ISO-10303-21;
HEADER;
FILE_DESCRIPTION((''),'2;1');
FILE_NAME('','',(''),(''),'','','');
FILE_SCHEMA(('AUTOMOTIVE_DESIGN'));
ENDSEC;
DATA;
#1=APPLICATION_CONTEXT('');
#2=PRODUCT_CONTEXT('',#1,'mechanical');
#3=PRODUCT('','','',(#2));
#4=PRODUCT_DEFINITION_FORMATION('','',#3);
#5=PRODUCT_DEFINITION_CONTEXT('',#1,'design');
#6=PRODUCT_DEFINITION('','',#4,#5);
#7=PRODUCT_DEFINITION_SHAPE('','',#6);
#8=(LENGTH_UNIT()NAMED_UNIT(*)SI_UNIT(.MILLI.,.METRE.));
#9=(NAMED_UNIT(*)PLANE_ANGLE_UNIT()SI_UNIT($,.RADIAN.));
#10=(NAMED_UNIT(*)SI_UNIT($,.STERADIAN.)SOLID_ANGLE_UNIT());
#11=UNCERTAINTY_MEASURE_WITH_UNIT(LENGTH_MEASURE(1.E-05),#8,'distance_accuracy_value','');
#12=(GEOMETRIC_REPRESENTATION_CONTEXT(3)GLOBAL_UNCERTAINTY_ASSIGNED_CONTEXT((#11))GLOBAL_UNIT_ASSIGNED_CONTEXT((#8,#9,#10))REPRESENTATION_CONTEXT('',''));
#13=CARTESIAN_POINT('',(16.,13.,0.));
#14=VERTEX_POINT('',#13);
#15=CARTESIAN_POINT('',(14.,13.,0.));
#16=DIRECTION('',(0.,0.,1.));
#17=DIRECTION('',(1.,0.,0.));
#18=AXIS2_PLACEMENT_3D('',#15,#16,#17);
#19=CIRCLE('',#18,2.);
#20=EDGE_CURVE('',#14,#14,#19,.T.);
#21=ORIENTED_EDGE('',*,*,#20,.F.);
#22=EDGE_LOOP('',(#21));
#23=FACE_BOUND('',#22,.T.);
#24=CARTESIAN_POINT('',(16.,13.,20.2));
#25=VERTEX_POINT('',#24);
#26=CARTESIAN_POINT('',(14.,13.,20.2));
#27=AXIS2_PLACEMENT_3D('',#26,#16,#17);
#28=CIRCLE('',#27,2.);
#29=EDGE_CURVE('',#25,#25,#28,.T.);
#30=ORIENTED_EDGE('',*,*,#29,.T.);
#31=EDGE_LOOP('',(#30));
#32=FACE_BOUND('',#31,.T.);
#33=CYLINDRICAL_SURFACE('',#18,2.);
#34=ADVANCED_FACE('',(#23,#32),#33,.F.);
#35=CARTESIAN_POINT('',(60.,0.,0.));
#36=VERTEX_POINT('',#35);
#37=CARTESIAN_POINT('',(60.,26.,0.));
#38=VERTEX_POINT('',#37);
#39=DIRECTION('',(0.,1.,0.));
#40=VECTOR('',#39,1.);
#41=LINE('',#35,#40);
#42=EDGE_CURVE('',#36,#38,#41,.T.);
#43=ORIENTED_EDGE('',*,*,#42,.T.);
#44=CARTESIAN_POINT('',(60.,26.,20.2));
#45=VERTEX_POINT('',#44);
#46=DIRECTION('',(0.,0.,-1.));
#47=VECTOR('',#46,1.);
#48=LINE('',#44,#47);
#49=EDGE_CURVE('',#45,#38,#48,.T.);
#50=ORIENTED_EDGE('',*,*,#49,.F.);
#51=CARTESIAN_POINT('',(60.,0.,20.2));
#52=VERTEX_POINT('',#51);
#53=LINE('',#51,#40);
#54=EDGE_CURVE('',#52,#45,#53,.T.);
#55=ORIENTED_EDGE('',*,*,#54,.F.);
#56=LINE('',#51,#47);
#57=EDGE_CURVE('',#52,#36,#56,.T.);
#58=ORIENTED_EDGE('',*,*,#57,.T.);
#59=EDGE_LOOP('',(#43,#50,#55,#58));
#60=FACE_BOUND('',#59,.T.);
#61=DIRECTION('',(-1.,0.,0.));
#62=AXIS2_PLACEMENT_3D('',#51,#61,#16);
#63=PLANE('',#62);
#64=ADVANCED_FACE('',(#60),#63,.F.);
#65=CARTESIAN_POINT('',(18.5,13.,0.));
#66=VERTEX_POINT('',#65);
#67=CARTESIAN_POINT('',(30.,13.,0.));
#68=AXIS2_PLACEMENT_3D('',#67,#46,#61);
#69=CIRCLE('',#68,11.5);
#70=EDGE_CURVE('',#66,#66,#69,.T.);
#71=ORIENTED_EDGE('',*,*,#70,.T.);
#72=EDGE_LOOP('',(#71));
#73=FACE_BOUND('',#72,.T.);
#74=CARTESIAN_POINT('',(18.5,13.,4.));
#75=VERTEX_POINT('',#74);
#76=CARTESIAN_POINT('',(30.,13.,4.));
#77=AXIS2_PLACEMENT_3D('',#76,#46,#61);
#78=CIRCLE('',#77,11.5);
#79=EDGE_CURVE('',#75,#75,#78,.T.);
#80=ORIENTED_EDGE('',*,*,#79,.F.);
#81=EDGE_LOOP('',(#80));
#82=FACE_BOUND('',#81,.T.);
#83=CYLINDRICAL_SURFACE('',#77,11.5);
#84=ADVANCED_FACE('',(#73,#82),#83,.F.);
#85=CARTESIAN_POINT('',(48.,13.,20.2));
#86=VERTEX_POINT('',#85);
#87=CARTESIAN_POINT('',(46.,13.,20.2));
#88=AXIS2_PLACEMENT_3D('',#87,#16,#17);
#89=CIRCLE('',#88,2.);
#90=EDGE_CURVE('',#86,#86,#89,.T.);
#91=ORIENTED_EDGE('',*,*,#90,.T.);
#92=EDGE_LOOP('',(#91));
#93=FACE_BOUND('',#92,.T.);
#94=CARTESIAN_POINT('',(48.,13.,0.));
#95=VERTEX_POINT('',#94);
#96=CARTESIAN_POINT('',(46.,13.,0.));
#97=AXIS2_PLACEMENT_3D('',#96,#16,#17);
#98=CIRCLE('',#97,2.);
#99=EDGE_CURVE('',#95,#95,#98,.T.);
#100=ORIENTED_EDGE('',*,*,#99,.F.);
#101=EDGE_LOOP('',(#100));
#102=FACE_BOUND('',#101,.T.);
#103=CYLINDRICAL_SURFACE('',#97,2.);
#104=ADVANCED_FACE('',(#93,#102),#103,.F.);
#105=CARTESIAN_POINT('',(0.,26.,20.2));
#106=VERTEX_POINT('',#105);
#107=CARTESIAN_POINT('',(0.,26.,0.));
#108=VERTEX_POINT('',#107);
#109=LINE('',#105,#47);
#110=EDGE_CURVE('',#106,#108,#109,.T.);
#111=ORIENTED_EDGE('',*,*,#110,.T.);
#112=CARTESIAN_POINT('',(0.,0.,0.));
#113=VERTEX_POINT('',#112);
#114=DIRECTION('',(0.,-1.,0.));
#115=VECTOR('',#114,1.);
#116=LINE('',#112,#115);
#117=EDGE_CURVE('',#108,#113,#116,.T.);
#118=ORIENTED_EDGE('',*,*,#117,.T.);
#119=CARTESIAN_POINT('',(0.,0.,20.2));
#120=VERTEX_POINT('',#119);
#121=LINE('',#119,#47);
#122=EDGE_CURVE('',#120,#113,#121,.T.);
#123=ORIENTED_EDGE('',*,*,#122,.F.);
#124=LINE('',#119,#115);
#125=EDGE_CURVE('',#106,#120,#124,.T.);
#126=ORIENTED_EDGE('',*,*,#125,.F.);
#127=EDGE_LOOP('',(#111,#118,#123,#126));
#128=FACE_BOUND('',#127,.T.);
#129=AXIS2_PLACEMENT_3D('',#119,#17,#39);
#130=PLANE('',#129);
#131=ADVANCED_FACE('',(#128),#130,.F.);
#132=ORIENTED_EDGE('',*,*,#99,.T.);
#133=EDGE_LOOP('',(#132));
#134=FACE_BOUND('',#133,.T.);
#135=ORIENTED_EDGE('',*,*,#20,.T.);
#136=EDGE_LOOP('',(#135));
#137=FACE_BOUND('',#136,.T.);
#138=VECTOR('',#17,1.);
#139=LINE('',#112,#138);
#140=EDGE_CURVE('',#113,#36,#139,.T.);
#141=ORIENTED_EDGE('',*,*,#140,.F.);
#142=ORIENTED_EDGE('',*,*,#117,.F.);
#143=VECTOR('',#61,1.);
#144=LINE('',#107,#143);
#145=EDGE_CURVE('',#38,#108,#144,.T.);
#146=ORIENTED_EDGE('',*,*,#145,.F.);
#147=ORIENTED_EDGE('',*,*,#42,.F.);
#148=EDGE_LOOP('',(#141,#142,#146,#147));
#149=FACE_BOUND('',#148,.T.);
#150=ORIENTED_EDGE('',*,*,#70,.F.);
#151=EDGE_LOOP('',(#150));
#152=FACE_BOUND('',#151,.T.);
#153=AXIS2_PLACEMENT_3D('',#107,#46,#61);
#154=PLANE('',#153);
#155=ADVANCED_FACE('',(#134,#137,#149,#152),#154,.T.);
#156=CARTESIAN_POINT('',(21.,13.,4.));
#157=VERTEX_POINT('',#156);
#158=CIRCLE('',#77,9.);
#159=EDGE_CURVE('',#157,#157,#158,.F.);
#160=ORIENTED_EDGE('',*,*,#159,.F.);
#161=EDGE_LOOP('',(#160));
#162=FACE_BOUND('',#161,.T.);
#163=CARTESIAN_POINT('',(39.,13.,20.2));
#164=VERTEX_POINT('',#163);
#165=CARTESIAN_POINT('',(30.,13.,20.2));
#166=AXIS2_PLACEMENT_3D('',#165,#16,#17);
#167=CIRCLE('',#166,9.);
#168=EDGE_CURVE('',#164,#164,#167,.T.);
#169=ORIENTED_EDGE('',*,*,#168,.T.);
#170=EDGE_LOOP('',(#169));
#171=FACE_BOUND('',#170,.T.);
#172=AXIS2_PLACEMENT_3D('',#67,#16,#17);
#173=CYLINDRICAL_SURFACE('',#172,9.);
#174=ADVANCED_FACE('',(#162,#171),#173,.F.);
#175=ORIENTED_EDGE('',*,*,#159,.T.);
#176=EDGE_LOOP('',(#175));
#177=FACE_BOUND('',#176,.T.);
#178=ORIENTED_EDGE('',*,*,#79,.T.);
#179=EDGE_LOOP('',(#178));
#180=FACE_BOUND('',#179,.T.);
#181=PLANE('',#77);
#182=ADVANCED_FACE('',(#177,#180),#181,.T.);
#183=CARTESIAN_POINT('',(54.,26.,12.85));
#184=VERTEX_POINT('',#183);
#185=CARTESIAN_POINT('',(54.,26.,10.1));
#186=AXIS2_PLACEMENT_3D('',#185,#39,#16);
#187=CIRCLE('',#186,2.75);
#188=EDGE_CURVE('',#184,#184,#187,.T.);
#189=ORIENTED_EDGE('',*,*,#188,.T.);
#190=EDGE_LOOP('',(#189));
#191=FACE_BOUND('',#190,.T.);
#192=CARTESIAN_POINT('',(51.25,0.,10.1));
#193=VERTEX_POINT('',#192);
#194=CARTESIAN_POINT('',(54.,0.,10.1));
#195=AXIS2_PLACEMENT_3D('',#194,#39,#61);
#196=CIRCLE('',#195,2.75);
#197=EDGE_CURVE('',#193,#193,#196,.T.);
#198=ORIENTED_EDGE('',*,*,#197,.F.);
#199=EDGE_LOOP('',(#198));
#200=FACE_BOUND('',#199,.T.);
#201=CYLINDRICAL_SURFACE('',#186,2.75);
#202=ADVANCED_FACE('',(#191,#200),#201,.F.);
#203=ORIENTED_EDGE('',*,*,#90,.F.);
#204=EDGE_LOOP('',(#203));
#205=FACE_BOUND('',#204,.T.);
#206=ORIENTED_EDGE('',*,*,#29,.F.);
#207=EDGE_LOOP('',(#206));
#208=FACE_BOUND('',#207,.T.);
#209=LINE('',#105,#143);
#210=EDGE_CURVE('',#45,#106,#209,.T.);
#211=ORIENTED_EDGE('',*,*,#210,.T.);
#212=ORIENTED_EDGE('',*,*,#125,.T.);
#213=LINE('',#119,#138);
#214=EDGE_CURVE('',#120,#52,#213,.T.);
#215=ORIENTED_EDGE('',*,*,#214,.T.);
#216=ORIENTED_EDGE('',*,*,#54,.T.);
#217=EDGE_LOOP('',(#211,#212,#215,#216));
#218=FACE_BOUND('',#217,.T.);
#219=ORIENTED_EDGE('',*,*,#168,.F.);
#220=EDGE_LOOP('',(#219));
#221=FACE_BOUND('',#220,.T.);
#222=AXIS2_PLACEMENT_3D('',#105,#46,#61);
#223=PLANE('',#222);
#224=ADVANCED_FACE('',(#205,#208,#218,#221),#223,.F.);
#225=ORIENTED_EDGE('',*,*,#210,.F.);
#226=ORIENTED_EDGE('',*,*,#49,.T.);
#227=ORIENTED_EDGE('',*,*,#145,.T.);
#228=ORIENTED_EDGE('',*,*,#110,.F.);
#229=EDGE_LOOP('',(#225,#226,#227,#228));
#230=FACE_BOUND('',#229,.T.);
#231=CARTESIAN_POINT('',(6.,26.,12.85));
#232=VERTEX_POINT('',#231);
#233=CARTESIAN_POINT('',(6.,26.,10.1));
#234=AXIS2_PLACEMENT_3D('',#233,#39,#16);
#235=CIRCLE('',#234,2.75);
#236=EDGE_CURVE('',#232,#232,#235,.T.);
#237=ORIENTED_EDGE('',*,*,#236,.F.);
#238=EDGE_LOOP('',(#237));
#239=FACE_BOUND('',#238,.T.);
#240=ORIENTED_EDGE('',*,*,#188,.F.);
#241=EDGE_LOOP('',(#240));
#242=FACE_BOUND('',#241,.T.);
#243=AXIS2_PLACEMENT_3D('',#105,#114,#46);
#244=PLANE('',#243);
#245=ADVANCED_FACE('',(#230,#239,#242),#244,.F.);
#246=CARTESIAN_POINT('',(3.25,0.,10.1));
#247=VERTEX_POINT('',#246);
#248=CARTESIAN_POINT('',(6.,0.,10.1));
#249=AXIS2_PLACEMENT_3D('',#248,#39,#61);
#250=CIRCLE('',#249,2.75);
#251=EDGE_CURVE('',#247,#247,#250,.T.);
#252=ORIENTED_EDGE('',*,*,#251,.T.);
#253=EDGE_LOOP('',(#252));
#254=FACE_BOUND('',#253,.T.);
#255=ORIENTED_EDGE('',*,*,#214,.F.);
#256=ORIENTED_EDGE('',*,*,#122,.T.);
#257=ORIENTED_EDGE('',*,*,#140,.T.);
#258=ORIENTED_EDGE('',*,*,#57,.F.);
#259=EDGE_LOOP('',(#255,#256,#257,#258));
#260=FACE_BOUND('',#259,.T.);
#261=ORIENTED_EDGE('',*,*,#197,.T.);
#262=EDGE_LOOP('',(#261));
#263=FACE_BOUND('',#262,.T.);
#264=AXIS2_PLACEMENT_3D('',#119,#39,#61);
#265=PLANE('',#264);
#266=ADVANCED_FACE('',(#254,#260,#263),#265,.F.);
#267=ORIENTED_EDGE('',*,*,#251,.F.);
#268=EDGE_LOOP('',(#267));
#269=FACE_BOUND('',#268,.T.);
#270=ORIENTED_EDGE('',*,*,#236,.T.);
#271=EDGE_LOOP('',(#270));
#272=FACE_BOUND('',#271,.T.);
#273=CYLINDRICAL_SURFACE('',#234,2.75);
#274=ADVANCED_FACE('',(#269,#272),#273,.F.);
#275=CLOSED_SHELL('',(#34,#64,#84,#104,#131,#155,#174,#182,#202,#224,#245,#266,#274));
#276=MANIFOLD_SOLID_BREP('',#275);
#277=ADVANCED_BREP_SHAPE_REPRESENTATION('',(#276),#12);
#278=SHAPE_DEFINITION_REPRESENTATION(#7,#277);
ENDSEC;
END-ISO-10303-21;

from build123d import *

# Parameters (mm, degrees)
SKETCH1_W                      = 60
SKETCH1_H                      = 26
BOSS_EXTRUDE1_DEPTH            = 20.2
SKETCH2_R                      = 9
SKETCH2_R_2                    = 2
CUT_EXTRUDE1_DEPTH             = 69.440046756
SKETCH3_R                      = 11.5
CUT_EXTRUDE2_DEPTH             = 4
F_5_5_5_5_DIAMETER_HOLE1_D     = 5.5
F_5_5_5_5_DIAMETER_HOLE1_DEPTH = 30
F_5_5_5_5_DIAMETER_HOLE1_TIP   = 1.652366702


with BuildPart() as part:
    # Sketch1 → Boss-Extrude1 (new body)
    with BuildSketch(Plane.XY):
        with Locations((30, 13)):
            Rectangle(SKETCH1_W, SKETCH1_H)
    extrude(amount=BOSS_EXTRUDE1_DEPTH)

    # Sketch2 → Cut-Extrude1 (cut, through all)
    with BuildSketch(Plane.XY.offset(20.2)):
        with Locations((30, 13)):
            Circle(SKETCH2_R)
        with Locations((14, 13)):
            Circle(SKETCH2_R_2)
        with Locations((46, 13)):
            Circle(SKETCH2_R_2)
    extrude(amount=-CUT_EXTRUDE1_DEPTH, mode=Mode.SUBTRACT)

    # Sketch3 → Cut-Extrude2 (cut)
    with BuildSketch(Plane(origin=(0, 0, 0), x_dir=(-1, 0, 0), z_dir=(0, 0, -1))):
        with Locations((-30, 13)):
            Circle(SKETCH3_R)
    extrude(amount=-CUT_EXTRUDE2_DEPTH, mode=Mode.SUBTRACT)

    # Ø5.5 (5.5) Diameter Hole1
    with Locations(Plane(origin=(0, 26, 0), x_dir=(-1, 0, 0), z_dir=(0, 1, 0))):
        with Locations((-6, 10.1), (-54, 10.1)):
            Hole(F_5_5_5_5_DIAMETER_HOLE1_D / 2, depth=F_5_5_5_5_DIAMETER_HOLE1_DEPTH)
            with Locations((0, 0, -(F_5_5_5_5_DIAMETER_HOLE1_DEPTH + F_5_5_5_5_DIAMETER_HOLE1_TIP / 2))):  # 118° drill point
                Cone(0, F_5_5_5_5_DIAMETER_HOLE1_D / 2, F_5_5_5_5_DIAMETER_HOLE1_TIP, mode=Mode.SUBTRACT)


solid = part.part
